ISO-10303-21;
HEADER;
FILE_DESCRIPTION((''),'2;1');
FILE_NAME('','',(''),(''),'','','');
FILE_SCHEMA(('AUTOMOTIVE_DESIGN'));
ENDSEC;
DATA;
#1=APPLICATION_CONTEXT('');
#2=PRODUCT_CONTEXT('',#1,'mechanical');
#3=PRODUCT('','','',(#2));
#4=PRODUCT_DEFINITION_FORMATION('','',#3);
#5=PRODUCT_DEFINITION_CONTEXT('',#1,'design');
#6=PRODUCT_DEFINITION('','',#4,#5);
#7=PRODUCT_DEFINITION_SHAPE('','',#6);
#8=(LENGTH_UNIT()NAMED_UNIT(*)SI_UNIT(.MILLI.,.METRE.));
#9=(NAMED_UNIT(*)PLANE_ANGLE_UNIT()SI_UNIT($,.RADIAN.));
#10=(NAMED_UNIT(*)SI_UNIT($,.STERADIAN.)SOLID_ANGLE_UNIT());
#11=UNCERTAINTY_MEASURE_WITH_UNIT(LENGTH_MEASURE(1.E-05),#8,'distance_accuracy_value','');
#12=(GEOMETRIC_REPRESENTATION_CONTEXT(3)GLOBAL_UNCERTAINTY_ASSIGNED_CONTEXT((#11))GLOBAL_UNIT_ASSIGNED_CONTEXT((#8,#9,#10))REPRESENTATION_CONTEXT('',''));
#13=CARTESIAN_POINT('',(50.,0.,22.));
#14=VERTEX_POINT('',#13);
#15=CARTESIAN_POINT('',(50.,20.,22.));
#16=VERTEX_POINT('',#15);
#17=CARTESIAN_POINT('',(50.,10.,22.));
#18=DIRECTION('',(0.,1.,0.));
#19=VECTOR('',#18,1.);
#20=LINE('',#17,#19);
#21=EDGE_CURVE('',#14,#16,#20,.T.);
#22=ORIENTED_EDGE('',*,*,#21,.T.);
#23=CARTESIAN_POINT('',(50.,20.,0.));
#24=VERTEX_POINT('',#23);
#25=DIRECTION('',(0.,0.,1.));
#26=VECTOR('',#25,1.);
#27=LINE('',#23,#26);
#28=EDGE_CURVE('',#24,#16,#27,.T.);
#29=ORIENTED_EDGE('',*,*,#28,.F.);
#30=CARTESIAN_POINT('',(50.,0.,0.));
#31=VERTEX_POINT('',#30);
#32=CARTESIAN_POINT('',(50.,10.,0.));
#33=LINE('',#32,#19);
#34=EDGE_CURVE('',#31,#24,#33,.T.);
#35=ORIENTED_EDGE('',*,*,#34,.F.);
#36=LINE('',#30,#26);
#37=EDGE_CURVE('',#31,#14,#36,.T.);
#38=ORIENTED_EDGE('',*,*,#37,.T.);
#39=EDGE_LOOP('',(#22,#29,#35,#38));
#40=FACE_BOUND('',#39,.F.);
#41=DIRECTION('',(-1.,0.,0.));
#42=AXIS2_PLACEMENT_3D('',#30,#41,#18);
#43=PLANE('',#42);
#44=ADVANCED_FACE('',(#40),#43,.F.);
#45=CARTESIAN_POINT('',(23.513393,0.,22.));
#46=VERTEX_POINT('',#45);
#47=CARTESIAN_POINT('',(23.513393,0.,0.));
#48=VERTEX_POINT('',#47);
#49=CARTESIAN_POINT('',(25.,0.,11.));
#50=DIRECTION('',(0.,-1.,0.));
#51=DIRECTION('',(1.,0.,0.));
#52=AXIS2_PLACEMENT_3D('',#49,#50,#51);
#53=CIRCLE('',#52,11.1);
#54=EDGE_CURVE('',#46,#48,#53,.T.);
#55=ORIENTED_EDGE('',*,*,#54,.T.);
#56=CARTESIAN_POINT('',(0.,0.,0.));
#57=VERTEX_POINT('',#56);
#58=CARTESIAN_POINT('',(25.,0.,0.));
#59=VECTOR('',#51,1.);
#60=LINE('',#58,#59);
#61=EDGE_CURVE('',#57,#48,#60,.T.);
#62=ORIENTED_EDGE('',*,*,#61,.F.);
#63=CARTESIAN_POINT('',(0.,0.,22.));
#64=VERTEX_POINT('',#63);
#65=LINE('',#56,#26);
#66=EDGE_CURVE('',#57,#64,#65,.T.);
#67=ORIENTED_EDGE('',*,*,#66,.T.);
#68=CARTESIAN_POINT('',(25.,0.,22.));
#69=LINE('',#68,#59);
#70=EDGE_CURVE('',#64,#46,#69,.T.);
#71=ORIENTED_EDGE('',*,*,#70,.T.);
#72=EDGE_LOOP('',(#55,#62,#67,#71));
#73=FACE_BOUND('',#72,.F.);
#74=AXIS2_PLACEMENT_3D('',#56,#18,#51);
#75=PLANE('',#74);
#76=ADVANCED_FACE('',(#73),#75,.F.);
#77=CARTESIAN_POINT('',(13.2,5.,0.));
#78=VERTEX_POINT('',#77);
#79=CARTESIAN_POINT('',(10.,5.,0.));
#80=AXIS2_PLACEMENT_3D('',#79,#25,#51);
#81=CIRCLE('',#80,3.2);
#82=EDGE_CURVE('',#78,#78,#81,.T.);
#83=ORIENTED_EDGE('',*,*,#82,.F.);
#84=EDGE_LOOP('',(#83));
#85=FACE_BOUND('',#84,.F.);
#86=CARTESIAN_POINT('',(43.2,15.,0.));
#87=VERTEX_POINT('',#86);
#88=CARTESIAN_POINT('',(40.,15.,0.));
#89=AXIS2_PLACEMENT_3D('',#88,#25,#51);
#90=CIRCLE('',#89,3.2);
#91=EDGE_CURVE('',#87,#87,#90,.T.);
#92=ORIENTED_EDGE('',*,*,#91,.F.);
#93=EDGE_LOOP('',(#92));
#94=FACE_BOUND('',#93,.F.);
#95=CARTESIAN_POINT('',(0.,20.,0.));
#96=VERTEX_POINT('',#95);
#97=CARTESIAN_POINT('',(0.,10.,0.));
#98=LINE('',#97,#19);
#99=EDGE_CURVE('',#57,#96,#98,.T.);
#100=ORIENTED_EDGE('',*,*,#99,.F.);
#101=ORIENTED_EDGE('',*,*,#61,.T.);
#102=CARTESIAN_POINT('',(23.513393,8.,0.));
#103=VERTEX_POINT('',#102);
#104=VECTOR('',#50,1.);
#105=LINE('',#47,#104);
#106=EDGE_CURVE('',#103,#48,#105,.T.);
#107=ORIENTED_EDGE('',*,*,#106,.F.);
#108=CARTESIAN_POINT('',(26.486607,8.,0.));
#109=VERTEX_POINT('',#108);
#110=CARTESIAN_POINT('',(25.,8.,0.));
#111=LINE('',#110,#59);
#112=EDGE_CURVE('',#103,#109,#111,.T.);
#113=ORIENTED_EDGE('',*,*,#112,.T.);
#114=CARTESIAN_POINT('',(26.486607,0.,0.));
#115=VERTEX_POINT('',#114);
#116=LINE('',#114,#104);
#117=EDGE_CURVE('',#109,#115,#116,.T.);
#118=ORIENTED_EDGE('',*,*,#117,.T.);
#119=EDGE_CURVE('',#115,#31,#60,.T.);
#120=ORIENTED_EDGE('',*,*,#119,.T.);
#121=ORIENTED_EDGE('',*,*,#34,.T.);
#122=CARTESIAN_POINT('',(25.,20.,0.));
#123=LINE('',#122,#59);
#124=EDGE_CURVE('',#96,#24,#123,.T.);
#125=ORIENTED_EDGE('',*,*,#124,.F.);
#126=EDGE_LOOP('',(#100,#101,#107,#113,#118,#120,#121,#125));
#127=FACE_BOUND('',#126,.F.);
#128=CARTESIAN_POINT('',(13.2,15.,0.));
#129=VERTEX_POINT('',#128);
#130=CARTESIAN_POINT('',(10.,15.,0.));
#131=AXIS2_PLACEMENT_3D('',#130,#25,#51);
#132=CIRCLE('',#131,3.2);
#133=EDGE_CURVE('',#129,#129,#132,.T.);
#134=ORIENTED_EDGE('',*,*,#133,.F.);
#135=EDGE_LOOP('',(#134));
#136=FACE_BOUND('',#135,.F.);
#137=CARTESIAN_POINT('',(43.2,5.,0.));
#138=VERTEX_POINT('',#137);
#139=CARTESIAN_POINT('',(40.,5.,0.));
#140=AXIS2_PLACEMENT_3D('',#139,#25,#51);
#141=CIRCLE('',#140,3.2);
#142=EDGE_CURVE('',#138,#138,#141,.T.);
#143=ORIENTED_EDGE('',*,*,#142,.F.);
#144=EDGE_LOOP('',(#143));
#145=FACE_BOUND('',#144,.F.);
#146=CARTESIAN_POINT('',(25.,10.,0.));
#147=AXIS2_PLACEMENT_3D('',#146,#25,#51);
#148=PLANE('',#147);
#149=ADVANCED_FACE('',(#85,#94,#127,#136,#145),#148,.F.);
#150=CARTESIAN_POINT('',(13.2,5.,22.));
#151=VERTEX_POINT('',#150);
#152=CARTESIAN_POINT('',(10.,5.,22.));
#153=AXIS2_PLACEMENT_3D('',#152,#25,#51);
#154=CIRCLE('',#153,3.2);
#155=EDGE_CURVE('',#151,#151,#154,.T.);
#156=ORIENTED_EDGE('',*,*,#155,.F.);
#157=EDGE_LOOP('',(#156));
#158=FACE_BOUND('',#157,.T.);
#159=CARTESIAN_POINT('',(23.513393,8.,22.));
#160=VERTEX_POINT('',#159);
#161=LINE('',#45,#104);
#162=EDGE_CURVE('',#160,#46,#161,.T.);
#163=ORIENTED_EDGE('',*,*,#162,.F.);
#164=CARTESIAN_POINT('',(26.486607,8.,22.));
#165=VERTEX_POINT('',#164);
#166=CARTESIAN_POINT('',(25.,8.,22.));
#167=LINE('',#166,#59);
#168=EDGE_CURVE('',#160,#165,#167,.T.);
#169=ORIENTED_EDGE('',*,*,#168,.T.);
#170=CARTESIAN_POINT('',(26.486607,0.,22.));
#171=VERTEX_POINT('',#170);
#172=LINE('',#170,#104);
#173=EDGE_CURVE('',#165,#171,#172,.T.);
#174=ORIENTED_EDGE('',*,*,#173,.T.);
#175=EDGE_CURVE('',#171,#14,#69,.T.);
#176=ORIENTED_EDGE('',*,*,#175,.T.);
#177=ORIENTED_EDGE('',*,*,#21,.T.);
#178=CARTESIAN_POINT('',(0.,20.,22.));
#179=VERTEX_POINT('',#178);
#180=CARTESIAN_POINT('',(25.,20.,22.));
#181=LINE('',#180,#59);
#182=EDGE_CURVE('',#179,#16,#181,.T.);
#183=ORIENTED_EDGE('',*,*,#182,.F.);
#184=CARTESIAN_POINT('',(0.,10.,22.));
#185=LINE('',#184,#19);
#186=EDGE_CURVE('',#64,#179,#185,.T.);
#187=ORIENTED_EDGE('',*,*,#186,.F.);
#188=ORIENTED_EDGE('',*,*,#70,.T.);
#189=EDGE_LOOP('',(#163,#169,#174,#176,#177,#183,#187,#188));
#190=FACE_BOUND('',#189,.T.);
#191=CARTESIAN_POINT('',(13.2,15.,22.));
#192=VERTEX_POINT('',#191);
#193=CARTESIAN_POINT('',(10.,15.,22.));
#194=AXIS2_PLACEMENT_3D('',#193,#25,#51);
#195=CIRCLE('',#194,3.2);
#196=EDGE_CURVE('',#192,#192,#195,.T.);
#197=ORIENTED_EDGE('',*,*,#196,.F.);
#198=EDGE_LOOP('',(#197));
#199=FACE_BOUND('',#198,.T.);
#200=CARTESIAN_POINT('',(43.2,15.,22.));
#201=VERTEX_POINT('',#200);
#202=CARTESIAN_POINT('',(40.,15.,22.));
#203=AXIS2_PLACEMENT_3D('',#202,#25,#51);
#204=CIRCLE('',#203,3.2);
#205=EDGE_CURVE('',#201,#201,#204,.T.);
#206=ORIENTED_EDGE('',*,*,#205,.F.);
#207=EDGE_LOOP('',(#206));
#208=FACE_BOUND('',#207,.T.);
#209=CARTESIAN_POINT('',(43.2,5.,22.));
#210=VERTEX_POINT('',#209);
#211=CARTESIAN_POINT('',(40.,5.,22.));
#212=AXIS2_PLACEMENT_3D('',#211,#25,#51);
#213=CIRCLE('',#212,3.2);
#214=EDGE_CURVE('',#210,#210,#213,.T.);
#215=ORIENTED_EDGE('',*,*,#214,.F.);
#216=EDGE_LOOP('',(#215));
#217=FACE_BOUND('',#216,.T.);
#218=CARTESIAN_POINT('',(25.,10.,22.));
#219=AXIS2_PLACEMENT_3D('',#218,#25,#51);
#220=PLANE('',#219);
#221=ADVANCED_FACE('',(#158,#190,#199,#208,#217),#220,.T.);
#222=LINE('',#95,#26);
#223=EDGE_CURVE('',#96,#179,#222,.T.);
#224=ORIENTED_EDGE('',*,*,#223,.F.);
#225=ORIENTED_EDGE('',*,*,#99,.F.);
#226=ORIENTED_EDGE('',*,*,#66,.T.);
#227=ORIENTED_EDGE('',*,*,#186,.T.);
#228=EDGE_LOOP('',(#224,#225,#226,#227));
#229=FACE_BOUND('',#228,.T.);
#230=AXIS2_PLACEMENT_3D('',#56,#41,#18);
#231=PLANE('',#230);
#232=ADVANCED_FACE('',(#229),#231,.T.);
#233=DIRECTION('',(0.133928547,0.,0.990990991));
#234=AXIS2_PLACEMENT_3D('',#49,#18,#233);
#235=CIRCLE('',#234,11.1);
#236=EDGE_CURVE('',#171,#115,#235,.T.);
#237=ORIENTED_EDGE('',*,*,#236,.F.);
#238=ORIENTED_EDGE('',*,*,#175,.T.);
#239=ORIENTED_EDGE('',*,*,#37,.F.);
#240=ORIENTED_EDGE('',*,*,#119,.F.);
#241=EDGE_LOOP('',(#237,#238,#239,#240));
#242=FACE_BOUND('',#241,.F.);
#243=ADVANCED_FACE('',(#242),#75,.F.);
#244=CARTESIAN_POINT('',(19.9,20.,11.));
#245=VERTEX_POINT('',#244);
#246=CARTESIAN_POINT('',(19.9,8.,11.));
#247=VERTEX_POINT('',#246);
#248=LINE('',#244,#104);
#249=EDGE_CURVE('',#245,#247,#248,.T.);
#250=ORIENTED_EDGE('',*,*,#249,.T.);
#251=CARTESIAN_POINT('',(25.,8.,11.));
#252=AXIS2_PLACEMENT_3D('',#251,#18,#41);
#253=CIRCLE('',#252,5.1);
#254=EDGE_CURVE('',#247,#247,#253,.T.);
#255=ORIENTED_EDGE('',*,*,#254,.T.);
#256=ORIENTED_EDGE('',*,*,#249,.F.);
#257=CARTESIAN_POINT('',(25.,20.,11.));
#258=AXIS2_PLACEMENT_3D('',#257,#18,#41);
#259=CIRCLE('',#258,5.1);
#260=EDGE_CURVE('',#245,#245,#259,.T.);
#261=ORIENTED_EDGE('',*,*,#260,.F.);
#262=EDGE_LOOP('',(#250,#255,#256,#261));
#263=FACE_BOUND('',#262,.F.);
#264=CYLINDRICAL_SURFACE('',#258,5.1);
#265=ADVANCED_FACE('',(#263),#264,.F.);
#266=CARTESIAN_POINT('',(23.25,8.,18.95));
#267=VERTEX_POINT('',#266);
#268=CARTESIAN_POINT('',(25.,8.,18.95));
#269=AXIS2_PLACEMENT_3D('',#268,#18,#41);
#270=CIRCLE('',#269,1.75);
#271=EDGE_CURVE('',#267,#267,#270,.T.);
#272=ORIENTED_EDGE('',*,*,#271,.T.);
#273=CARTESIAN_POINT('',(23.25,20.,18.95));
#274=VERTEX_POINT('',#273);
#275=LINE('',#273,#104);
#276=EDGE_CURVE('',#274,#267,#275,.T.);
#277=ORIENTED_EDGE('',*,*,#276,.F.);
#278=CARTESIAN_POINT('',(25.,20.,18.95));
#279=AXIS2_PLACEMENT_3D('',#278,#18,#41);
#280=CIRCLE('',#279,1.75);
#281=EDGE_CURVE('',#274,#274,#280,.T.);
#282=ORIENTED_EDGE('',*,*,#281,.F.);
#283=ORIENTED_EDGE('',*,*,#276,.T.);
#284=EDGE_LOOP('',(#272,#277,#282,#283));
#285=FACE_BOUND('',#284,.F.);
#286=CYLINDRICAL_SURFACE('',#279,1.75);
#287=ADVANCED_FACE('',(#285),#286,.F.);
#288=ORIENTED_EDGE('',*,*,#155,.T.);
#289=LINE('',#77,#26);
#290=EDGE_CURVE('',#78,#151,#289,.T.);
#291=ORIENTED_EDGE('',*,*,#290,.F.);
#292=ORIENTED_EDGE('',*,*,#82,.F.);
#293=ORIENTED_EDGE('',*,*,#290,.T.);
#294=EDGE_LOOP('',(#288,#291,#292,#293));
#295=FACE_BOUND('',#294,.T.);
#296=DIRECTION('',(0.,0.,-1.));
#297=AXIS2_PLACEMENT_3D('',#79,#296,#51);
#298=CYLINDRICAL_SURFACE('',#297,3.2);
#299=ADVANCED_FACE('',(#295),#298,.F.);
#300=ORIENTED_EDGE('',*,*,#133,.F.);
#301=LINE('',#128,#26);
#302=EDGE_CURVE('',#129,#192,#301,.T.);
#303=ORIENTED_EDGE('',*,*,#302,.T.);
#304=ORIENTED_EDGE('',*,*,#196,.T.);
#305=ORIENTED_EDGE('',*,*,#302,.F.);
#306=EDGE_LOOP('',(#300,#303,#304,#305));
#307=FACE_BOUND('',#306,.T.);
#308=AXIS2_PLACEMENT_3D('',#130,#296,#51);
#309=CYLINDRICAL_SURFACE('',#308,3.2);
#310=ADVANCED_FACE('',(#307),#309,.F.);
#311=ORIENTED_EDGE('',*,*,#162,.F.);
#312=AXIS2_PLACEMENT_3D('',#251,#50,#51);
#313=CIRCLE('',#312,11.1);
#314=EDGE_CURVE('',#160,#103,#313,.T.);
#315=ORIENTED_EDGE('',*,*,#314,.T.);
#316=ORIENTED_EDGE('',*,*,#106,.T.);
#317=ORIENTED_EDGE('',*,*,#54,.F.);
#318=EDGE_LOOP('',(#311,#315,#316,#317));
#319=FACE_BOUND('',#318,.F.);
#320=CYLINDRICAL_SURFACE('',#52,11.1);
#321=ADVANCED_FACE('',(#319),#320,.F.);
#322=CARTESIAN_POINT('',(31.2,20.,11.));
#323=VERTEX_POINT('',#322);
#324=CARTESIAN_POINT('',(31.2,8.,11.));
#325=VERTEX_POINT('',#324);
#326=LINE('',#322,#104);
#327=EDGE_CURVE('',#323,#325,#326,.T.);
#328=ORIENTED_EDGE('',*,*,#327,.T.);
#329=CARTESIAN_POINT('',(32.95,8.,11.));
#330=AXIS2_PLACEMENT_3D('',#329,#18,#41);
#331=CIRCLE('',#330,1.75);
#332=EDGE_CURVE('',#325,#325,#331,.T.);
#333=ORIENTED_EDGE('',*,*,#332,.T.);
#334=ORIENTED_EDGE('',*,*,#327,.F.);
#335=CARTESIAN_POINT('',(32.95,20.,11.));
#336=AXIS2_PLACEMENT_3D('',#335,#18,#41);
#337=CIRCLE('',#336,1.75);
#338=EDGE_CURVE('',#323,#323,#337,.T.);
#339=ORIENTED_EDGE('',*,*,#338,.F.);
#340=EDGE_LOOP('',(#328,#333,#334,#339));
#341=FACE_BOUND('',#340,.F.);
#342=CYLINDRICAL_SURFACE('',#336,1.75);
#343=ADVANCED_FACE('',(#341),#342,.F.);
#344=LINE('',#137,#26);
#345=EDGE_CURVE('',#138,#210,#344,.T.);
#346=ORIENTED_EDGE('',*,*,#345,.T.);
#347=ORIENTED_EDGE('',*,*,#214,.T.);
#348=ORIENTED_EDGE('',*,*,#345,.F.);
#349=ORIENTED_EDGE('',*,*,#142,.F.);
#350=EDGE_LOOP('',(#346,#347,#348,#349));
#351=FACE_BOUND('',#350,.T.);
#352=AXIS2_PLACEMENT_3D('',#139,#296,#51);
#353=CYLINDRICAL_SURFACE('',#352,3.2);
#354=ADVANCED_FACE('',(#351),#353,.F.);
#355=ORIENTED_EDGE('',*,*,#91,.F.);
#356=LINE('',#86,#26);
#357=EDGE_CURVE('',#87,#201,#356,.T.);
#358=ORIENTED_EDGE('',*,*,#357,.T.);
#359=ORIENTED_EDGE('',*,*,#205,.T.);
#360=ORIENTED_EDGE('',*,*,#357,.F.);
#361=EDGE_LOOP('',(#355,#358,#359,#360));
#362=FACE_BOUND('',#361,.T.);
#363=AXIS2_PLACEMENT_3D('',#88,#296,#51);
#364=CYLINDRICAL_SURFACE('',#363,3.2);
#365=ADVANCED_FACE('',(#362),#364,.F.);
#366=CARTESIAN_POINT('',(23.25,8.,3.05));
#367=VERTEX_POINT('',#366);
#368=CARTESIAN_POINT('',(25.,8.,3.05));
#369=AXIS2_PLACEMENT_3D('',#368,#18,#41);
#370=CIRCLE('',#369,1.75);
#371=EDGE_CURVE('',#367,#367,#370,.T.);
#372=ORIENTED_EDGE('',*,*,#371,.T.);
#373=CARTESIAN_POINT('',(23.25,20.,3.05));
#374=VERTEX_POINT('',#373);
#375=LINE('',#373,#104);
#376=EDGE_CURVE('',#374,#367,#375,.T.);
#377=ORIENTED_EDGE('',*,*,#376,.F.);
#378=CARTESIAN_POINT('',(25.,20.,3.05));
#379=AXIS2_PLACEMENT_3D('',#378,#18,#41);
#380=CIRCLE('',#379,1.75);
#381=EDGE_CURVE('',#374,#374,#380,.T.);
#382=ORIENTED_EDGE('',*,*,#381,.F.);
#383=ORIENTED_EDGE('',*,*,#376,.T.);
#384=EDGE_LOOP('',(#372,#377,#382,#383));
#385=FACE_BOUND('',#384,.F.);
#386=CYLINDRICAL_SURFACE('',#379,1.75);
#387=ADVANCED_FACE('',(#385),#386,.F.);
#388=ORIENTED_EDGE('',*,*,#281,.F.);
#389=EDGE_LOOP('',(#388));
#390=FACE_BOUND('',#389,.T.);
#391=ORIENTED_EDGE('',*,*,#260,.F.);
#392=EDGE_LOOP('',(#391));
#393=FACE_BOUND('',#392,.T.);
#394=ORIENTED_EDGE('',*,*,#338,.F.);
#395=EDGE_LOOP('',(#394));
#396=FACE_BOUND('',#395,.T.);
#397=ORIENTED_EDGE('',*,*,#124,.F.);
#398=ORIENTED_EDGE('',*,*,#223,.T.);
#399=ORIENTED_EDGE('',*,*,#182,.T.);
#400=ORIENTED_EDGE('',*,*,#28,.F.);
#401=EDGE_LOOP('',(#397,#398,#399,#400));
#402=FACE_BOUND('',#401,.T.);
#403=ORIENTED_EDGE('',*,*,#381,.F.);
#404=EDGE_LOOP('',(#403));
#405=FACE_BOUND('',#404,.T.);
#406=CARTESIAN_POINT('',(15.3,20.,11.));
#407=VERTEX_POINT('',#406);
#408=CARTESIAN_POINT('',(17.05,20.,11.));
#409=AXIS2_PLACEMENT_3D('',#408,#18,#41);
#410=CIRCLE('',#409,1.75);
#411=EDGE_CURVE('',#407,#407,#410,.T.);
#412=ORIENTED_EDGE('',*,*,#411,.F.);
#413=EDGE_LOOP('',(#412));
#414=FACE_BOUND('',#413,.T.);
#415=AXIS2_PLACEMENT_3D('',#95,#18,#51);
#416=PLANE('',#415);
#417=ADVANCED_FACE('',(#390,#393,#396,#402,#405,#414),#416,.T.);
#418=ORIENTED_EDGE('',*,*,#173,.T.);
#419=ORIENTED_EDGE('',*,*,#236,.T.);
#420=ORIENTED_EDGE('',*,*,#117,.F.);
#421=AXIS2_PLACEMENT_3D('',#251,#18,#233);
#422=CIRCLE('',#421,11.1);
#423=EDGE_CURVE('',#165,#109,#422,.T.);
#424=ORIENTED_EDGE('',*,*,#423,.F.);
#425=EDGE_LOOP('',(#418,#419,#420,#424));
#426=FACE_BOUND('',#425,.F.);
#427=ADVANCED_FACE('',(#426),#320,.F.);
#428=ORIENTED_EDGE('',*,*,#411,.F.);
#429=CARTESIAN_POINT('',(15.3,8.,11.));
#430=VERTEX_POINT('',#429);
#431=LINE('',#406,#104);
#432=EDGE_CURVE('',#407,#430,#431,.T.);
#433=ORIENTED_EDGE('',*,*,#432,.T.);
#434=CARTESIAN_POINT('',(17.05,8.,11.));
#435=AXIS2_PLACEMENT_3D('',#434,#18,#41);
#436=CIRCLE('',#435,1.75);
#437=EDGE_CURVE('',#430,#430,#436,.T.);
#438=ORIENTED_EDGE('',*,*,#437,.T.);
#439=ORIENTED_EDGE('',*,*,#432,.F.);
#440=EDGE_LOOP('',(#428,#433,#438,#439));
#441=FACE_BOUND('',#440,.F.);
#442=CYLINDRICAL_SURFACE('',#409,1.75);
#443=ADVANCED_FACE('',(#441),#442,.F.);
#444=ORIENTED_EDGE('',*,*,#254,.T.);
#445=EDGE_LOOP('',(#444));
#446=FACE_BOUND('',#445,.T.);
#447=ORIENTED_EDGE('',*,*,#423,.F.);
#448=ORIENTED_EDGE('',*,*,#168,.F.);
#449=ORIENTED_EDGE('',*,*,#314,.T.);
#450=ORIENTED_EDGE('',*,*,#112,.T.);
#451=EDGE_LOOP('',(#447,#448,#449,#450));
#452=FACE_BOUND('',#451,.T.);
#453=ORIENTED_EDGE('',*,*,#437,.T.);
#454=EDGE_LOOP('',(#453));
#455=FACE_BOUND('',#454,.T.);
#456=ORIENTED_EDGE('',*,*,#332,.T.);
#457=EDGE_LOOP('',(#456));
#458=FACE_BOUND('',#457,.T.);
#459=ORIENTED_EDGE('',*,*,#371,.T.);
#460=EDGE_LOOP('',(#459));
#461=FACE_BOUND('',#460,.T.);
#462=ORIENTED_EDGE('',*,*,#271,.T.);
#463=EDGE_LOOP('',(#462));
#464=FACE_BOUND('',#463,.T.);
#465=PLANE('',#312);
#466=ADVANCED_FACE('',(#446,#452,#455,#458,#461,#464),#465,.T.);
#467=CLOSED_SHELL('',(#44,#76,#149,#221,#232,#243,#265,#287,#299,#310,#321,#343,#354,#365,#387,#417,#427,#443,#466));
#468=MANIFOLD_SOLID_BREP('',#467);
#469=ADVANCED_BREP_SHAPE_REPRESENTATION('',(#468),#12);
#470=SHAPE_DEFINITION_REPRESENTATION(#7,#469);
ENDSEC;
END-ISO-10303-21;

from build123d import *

# Parameters (mm, degrees)
SKETCH_W        = 50
SKETCH_H        = 20
SKETCH_R        = 3.2
PAD_DEPTH       = 22
SKETCH001_R     = 11.1
POCKET_DEPTH    = 8
SKETCH002_R     = 5.1
SKETCH002_R_2   = 1.75
POCKET001_DEPTH = 20


with BuildPart() as part:
    # Sketch → Pad (new body)
    with BuildSketch(Plane.XY):
        with Locations((25, 10)):
            Rectangle(SKETCH_W, SKETCH_H)
        with Locations((10, 15)):
            Circle(SKETCH_R, mode=Mode.SUBTRACT)
        with Locations((10, 5)):
            Circle(SKETCH_R, mode=Mode.SUBTRACT)
        with Locations((40, 15)):
            Circle(SKETCH_R, mode=Mode.SUBTRACT)
        with Locations((40, 5)):
            Circle(SKETCH_R, mode=Mode.SUBTRACT)
    extrude(amount=PAD_DEPTH)

    # Sketch001 (on Face3 of Pad) → Pocket (cut)
    with BuildSketch(Plane.XZ):
        with Locations((25, 11)):
            Circle(SKETCH001_R)
    extrude(amount=-POCKET_DEPTH, mode=Mode.SUBTRACT)

    # Sketch002 (on Face1 of Pocket) → Pocket001 (cut)
    with BuildSketch(Plane(origin=(0, 20, 0), x_dir=(-1, 0, 0), z_dir=(0, 1, 0))):
        with Locations((-25, 11)):
            Circle(SKETCH002_R)
        with Locations((-25, 18.95)):
            Circle(SKETCH002_R_2)
        with Locations((-25, 3.05)):
            Circle(SKETCH002_R_2)
        with Locations((-32.95, 11)):
            Circle(SKETCH002_R_2)
        with Locations((-17.05, 11)):
            Circle(SKETCH002_R_2)
    extrude(amount=-POCKET001_DEPTH, mode=Mode.SUBTRACT)


solid = part.part
